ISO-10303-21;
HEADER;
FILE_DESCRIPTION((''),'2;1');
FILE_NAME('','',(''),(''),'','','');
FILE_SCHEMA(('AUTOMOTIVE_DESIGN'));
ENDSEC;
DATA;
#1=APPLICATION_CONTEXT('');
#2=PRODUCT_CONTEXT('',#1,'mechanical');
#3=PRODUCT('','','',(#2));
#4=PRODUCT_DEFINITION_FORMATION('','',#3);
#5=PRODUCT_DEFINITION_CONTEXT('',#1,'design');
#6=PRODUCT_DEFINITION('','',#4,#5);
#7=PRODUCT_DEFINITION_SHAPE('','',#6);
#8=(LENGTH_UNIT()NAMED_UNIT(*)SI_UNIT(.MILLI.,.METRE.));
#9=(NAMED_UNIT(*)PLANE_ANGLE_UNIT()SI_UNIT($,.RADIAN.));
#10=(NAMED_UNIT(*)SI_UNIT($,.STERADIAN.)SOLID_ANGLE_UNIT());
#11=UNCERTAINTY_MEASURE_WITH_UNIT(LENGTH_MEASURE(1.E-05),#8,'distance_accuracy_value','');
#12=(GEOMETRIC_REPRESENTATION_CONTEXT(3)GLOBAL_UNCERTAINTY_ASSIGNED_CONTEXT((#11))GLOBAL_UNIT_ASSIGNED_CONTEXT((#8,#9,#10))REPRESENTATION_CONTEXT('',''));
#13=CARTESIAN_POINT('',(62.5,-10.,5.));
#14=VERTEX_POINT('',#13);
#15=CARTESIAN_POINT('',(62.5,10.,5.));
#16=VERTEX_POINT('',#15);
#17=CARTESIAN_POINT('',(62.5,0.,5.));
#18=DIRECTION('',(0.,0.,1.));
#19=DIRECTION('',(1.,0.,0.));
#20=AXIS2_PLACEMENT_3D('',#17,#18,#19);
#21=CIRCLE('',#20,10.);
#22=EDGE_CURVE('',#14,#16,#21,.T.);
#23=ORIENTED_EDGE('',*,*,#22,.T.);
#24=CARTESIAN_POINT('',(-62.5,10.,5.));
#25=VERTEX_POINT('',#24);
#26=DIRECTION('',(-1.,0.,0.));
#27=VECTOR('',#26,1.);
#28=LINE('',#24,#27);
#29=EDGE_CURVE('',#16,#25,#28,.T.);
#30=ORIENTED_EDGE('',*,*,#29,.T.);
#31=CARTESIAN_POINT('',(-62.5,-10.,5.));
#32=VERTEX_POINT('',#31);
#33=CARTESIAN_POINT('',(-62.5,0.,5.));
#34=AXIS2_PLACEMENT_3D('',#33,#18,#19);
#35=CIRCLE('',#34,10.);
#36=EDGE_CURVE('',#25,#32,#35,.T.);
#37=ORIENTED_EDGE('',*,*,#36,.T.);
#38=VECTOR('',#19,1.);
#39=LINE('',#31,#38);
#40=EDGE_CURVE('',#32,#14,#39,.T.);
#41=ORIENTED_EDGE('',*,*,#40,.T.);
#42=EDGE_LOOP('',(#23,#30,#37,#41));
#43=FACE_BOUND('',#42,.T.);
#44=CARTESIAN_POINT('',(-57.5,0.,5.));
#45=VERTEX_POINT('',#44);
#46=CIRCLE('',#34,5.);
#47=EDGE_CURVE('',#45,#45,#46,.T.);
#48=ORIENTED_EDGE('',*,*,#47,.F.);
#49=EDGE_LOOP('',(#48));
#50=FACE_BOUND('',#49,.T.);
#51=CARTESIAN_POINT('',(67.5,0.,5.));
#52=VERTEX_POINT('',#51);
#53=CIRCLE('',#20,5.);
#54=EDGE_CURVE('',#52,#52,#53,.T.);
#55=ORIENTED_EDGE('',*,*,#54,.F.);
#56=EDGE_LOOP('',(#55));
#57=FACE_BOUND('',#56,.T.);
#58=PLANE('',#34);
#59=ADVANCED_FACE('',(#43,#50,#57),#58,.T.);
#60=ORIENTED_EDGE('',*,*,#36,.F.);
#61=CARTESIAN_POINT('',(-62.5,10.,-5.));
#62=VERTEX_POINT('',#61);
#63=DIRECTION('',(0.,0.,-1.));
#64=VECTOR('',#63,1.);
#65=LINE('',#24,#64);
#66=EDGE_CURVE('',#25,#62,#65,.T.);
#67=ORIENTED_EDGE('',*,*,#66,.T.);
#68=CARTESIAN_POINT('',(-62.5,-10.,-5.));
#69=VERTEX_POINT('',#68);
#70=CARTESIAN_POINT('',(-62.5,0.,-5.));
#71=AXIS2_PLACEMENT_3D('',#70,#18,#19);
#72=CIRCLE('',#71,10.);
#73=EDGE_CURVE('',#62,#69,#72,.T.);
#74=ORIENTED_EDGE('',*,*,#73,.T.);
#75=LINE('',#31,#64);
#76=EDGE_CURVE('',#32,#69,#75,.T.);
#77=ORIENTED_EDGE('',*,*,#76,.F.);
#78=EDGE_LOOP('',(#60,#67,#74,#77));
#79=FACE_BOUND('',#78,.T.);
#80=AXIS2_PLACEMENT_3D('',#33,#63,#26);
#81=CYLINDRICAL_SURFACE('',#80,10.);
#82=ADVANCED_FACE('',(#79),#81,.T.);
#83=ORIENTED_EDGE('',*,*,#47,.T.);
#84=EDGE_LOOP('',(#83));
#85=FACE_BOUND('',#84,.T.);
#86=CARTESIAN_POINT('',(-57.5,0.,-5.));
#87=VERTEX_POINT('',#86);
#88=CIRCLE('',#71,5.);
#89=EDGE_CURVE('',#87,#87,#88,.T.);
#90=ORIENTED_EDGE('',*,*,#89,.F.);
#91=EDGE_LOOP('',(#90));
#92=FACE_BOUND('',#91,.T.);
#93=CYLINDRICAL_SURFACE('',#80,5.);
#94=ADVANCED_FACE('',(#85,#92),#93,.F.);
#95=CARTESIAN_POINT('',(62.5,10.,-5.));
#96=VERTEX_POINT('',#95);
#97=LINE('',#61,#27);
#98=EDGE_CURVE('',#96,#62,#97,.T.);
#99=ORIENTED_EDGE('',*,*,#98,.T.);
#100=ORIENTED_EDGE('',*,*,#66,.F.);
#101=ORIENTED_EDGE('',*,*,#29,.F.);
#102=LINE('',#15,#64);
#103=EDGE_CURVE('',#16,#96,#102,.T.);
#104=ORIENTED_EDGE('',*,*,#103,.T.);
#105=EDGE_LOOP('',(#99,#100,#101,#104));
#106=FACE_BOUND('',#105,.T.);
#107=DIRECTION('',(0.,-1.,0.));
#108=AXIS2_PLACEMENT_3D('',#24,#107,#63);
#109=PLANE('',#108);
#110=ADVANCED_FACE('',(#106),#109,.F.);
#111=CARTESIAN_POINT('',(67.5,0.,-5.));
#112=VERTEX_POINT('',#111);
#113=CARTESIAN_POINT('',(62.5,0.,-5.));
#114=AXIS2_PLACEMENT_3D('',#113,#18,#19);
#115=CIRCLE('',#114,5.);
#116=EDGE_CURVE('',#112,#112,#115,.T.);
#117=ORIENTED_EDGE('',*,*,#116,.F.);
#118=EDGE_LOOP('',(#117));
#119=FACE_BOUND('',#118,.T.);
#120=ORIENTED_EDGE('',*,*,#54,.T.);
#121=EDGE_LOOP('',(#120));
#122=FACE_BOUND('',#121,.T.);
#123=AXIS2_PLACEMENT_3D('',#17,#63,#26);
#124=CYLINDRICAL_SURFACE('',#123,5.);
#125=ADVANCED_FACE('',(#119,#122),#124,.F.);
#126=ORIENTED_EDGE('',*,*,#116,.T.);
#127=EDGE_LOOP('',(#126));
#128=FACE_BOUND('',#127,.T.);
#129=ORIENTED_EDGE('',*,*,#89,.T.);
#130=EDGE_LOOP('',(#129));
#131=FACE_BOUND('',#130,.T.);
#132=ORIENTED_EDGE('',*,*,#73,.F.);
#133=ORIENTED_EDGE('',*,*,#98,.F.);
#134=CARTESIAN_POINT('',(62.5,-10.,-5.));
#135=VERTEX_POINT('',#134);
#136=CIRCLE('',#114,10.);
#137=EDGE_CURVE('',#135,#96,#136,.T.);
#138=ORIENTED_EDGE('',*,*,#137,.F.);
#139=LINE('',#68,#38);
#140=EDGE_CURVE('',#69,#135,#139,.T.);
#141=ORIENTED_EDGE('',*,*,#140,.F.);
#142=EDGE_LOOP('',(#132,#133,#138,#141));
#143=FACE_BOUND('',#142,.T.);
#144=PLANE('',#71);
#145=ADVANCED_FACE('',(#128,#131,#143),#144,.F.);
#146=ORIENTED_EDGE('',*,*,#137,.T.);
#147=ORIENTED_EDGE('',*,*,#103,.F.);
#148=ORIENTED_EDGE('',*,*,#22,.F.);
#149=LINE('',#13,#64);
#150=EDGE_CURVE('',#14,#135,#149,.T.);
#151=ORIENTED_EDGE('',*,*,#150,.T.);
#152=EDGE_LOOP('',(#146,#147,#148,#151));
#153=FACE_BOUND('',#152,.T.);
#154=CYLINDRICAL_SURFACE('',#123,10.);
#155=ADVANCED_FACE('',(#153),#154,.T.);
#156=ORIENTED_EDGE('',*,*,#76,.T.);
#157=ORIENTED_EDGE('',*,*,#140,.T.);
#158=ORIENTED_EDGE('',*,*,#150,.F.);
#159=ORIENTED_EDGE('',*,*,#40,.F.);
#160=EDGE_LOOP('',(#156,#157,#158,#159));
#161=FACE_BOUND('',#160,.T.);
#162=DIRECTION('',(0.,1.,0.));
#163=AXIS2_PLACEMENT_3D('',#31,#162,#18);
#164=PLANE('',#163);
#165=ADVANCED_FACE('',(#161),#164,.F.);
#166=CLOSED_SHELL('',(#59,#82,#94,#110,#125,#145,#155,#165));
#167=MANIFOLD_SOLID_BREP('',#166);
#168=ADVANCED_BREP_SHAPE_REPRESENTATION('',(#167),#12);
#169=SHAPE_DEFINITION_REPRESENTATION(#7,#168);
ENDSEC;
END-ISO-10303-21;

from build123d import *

# Parameters (mm, degrees)
SKETCH1_R           = 5
BOSS_EXTRUDE3_DEPTH = 5


with BuildPart() as part:
    # Sketch1 → Boss-Extrude3 (new, symmetric)
    with BuildSketch(Plane.XY):
        with BuildLine():
            Line((-62.5, 10), (62.5, 10))
            ThreePointArc((62.5, 10), (72.5, 0), (62.5, -10))
            Line((62.5, -10), (-62.5, -10))
            ThreePointArc((-62.5, -10), (-72.5, 0), (-62.5, 10))
        make_face()
        with Locations((-62.5, 0)):
            Circle(SKETCH1_R, mode=Mode.SUBTRACT)
        with Locations((62.5, 0)):
            Circle(SKETCH1_R, mode=Mode.SUBTRACT)
    extrude(amount=BOSS_EXTRUDE3_DEPTH, both=True)


solid = part.part
